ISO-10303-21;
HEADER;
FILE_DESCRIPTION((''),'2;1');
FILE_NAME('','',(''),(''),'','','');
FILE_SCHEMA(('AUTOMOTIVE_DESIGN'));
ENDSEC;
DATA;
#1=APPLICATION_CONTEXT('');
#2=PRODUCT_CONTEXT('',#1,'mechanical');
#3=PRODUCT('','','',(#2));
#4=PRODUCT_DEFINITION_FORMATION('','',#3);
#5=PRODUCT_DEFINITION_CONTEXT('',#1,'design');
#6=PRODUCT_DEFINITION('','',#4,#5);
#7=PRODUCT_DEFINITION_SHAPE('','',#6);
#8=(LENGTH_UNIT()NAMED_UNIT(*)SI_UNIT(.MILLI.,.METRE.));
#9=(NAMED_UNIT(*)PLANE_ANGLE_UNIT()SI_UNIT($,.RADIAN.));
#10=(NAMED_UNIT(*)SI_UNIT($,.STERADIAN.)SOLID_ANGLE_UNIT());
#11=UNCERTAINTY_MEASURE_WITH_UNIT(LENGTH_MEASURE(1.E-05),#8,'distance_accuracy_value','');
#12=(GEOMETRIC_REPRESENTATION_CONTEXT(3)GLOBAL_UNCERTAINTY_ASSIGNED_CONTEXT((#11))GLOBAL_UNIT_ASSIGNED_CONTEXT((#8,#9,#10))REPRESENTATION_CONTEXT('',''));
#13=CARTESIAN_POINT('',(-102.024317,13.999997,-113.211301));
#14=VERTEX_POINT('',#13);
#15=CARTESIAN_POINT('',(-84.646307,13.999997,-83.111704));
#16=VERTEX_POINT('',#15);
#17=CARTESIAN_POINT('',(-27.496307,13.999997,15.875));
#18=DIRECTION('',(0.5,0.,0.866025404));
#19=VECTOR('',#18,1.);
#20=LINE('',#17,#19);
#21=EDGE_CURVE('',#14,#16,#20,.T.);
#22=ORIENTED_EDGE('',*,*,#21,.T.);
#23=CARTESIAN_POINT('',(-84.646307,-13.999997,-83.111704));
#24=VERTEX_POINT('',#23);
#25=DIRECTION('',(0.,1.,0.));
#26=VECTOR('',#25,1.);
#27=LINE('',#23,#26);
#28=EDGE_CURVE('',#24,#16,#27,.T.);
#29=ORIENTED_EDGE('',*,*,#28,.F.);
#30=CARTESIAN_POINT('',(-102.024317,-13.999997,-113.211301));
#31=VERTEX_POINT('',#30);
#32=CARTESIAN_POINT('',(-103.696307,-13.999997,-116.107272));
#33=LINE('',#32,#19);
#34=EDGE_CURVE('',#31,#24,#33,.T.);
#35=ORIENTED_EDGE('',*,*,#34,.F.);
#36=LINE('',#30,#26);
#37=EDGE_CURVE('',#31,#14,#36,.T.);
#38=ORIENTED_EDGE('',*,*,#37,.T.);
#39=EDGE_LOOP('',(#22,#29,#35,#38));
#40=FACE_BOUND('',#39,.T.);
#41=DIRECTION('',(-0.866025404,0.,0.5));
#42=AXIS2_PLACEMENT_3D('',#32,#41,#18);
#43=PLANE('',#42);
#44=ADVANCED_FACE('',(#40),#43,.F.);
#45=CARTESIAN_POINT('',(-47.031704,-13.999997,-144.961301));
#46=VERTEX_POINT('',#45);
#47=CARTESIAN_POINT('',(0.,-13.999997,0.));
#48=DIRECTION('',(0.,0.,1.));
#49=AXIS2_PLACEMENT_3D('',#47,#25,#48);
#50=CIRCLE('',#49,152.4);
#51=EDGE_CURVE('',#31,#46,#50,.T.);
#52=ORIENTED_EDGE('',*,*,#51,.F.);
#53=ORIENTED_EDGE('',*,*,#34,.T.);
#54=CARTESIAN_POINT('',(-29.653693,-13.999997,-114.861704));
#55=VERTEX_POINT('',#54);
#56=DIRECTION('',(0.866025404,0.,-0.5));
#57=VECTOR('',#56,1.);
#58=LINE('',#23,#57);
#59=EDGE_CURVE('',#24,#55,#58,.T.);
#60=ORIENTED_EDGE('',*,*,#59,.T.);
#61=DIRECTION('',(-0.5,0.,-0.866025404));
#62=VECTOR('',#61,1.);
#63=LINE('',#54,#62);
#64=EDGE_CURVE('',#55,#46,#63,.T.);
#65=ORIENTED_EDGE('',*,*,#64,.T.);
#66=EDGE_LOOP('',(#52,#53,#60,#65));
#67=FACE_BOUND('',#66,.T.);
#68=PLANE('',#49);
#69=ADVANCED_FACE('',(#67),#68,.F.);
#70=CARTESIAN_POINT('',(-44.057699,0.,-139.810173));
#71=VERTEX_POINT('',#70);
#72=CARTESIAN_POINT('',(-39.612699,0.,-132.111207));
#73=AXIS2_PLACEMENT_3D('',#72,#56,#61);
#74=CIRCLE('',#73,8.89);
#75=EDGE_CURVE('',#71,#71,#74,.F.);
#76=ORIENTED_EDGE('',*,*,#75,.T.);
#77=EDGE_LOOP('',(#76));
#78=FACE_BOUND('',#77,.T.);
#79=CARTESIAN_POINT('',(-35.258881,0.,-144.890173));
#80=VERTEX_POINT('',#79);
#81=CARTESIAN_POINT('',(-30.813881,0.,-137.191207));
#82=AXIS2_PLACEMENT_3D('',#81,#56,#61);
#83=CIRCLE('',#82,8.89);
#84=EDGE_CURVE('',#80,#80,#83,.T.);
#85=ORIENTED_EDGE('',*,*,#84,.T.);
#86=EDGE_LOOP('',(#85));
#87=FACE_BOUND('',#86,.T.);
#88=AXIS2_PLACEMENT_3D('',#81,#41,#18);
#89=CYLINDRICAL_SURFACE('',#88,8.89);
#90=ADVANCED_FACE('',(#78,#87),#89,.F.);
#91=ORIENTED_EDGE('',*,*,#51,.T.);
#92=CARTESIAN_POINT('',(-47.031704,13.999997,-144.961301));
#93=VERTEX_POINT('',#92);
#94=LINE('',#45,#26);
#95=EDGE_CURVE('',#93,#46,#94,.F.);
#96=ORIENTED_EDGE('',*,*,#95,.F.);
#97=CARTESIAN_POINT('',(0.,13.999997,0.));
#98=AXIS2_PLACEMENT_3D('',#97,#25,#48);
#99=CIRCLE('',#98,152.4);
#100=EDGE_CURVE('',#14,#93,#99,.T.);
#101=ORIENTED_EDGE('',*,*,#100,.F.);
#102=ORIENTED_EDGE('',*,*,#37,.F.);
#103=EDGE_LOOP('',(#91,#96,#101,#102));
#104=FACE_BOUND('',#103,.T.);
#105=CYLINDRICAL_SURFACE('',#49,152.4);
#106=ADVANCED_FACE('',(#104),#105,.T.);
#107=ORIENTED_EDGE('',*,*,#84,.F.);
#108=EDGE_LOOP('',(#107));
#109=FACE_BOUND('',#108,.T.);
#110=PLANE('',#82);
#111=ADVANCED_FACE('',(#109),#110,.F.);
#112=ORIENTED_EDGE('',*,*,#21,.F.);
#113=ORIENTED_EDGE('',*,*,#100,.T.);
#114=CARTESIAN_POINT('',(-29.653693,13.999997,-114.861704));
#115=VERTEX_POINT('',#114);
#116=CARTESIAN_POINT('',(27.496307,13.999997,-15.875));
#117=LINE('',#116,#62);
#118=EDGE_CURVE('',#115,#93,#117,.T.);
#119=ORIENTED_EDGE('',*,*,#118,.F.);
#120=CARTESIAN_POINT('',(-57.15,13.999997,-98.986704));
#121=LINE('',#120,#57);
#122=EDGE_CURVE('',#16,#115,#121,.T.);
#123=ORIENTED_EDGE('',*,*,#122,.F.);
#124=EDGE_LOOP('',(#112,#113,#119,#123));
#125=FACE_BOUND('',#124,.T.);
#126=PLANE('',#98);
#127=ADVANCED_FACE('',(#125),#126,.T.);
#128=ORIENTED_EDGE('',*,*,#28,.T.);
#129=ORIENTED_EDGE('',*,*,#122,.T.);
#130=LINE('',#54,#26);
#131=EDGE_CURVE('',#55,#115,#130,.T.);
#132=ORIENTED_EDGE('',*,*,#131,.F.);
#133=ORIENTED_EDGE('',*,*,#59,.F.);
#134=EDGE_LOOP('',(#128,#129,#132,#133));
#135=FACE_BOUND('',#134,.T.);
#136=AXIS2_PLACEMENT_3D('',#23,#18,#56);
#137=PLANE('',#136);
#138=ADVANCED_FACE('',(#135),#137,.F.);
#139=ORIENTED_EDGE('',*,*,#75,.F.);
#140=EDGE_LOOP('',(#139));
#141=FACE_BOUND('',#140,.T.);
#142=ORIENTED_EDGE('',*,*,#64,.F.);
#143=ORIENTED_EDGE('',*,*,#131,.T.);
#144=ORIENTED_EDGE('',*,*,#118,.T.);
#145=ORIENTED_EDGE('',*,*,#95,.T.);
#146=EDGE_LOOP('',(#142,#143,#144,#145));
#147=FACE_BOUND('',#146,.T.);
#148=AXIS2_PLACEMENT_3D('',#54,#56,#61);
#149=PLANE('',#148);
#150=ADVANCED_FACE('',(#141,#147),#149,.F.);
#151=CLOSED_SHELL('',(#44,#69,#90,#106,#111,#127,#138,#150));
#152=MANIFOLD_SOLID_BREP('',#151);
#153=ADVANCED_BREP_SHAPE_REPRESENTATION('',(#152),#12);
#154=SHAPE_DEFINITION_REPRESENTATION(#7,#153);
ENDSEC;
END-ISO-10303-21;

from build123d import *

# Parameters (mm, degrees)
BOSS_EXTRUDE1_DEPTH      = 13.9999974
BOSS_EXTRUDE1_DEPTH_BACK = 13.9999974
SKETCH4_R                = 152.4
CUT_EXTRUDE2_DEPTH       = 218.337340806
CUT_EXTRUDE2_DEPTH_BACK  = 218.337340806
SKETCH9_R                = 8.89
CUT_EXTRUDE4_DEPTH       = 41.91


with BuildPart() as part:
    # Sketch4 → Boss-Extrude1 (new, two sides: drawn at the far end of the back side and taken through both)
    with BuildSketch(Plane(origin=(0, 0, 0), x_dir=(1, 0, 0), z_dir=(0, 1, 0)).offset(-BOSS_EXTRUDE1_DEPTH_BACK)):
        with Locations(Location((0, 0, 0), (0, 0, 270))):
            Circle(SKETCH4_R)
    extrude(amount=BOSS_EXTRUDE1_DEPTH + BOSS_EXTRUDE1_DEPTH_BACK)

    # Sketch7 → Cut-Extrude2 (cut, two sides: drawn at the far end of the back side and taken through both)
    with BuildSketch(Plane(origin=(0, 13.9999974, 0), x_dir=(1, 0, 0), z_dir=(0, 1, 0)).offset(-CUT_EXTRUDE2_DEPTH_BACK)):
        Polygon((-48.70369343, 147.857271537), (-103.69630657, 116.107271537), (-84.64630657, 83.111703653), (-29.65369343, 114.861703653), align=None)
    extrude(amount=CUT_EXTRUDE2_DEPTH + CUT_EXTRUDE2_DEPTH_BACK, mode=Mode.SUBTRACT)

    # Sketch9 → Cut-Extrude4 (cut)
    with BuildSketch(Plane(origin=(0, 0, 0), x_dir=(-0.500000000000002, 0, -0.8660254037844375), z_dir=(0.8660254037844375, 0, -0.500000000000002))):
        with Locations((134.218010674, 0)):
            Circle(SKETCH9_R)
    extrude(amount=CUT_EXTRUDE4_DEPTH, mode=Mode.SUBTRACT)


solid = part.part
